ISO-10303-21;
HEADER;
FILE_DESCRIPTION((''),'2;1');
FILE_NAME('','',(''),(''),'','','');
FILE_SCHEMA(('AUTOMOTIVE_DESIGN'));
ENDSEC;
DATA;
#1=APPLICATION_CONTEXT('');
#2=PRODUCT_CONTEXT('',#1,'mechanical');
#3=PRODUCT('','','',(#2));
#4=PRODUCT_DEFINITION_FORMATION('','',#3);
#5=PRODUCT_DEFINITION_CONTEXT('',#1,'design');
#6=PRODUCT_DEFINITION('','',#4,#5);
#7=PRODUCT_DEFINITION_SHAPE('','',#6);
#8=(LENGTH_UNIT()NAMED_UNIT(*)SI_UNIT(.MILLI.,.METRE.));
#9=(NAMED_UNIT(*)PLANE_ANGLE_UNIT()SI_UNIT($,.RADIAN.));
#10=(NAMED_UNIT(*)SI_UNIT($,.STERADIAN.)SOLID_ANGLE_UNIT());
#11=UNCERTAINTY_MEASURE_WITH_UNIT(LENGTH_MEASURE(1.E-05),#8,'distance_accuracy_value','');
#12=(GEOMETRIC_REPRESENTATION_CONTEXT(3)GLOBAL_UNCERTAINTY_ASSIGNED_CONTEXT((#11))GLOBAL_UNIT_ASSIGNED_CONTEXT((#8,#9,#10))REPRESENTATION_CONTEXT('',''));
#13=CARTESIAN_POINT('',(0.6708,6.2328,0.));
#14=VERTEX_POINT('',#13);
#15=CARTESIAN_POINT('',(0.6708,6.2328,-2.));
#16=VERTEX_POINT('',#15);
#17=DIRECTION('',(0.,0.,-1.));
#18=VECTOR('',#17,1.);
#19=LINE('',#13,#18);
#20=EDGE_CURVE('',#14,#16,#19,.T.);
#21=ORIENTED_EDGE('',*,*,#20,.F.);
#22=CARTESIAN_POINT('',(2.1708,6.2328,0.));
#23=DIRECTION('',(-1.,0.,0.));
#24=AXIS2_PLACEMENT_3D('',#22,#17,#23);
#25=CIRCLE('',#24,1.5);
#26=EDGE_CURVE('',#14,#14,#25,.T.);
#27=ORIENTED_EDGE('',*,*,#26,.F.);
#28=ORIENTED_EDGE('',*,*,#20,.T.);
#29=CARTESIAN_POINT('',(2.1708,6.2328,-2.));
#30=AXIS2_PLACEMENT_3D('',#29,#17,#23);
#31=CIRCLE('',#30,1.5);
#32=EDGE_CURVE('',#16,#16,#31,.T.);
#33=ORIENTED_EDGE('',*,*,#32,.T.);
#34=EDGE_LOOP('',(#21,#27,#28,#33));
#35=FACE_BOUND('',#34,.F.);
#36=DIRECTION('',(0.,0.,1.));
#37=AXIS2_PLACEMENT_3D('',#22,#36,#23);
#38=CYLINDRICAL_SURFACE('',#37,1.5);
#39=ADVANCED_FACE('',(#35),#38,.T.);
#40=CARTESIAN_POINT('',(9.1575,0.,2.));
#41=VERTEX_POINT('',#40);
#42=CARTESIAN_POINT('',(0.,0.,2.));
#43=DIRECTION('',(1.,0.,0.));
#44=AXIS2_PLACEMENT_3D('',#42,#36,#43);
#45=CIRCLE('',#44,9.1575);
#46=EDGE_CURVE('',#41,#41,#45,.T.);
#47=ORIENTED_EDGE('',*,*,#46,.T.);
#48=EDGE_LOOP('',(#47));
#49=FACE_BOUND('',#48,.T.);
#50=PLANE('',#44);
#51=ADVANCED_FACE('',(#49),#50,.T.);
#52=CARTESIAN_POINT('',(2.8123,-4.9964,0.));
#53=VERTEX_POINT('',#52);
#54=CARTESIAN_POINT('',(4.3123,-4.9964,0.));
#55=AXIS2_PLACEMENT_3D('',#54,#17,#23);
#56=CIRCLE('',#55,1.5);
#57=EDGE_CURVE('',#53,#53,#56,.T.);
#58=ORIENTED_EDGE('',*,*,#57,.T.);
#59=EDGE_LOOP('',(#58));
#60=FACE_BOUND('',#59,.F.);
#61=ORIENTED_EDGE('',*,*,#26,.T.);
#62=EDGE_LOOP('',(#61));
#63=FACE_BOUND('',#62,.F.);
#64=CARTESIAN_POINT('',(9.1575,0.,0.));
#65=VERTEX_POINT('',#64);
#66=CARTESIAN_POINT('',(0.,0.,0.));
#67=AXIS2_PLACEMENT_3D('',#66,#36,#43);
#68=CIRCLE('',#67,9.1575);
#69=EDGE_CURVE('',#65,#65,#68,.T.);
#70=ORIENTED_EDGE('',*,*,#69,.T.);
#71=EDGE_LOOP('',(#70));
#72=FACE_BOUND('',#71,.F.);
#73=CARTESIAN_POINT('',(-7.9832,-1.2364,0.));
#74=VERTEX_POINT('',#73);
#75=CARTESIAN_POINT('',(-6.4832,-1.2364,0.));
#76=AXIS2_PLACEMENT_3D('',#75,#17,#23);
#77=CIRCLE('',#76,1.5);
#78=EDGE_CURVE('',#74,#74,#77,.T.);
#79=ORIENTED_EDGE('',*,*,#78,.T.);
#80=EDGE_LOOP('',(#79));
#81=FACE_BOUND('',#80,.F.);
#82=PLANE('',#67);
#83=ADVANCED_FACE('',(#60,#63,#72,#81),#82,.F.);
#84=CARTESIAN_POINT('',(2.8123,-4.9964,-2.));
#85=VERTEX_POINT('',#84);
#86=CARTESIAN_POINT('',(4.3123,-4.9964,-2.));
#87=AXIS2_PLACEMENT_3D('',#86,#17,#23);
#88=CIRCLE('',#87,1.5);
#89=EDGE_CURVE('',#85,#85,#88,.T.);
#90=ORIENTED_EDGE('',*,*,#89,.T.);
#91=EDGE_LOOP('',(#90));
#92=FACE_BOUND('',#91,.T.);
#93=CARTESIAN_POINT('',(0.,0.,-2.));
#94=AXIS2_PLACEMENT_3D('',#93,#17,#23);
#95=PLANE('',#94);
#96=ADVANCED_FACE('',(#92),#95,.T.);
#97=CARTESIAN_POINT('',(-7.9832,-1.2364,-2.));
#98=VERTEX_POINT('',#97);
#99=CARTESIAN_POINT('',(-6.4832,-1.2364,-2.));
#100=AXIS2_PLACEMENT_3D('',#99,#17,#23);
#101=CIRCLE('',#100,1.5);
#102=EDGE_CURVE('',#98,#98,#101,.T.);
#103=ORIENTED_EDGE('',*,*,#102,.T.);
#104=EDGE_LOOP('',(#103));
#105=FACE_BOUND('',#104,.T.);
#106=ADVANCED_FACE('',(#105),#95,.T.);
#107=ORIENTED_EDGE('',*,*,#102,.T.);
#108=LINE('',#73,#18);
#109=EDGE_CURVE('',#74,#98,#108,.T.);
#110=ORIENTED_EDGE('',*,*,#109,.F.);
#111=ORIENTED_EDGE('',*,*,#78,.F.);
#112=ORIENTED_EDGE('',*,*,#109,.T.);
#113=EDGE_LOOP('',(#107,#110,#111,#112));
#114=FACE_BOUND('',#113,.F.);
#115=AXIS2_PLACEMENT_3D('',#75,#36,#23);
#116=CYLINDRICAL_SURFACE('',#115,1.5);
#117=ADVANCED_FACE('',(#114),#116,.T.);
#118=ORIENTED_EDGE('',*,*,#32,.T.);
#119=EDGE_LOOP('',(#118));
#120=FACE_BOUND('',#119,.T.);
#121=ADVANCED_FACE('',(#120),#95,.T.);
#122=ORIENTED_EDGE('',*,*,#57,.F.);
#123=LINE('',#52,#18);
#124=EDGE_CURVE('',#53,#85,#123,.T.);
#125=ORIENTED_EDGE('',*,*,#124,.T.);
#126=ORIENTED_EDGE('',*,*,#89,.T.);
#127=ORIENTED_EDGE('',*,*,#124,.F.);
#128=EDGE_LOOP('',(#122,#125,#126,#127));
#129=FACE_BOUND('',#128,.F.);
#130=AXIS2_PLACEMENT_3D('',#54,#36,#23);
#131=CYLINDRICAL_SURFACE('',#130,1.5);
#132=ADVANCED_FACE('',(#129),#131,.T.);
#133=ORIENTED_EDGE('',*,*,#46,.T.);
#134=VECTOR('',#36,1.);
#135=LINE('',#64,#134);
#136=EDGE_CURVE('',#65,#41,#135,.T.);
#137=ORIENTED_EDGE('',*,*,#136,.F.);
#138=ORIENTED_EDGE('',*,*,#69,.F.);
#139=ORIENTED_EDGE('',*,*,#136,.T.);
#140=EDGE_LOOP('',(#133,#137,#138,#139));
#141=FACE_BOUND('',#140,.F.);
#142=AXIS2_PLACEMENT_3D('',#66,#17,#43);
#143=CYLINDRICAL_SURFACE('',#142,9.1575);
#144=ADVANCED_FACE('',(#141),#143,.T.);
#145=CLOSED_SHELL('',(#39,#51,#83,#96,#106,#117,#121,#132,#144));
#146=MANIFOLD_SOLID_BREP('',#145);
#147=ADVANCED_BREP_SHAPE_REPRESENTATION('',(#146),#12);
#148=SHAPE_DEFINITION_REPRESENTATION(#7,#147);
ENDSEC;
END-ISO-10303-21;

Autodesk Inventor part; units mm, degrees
ref_plane "YZ Plane" through (0, 0, 0) normal (1, 0, 0) x (0, 1, 0)
ref_plane "XZ Plane" through (0, 0, 0) normal (0, 1, 0) x (-1, 0, 0)
ref_plane "XY Plane" through (0, 0, 0) normal (0, 0, 1) x (1, 0, 0)
sketch "Skizze4" plane through (0, 0, 0) normal (0, 0, 1) x (1, 0, 0)
  circle A0 centre (0, 0) radius 9.1575 projected
  circle A1 centre (0, 0) radius 10.6575 projected
  circle A2 centre (0, 0) radius 9.1575
extrude "Extrusion3" add sketch "Skizze4" along normal blind 2 contours A0
sketch "Skizze5" plane through (0, 0, 0) normal (0, 0, -1) x (-1, 0, 0)
  circle A0 centre (-2.1708, 6.2328) radius 1.5 projected
  circle A1 centre (-4.3123, -4.9964) radius 1.5 projected
  circle A2 centre (6.4832, -1.2364) radius 1.5 projected
extrude "Extrusion4" add sketch "Skizze5" along normal blind 2
properties part number "PSteg"
